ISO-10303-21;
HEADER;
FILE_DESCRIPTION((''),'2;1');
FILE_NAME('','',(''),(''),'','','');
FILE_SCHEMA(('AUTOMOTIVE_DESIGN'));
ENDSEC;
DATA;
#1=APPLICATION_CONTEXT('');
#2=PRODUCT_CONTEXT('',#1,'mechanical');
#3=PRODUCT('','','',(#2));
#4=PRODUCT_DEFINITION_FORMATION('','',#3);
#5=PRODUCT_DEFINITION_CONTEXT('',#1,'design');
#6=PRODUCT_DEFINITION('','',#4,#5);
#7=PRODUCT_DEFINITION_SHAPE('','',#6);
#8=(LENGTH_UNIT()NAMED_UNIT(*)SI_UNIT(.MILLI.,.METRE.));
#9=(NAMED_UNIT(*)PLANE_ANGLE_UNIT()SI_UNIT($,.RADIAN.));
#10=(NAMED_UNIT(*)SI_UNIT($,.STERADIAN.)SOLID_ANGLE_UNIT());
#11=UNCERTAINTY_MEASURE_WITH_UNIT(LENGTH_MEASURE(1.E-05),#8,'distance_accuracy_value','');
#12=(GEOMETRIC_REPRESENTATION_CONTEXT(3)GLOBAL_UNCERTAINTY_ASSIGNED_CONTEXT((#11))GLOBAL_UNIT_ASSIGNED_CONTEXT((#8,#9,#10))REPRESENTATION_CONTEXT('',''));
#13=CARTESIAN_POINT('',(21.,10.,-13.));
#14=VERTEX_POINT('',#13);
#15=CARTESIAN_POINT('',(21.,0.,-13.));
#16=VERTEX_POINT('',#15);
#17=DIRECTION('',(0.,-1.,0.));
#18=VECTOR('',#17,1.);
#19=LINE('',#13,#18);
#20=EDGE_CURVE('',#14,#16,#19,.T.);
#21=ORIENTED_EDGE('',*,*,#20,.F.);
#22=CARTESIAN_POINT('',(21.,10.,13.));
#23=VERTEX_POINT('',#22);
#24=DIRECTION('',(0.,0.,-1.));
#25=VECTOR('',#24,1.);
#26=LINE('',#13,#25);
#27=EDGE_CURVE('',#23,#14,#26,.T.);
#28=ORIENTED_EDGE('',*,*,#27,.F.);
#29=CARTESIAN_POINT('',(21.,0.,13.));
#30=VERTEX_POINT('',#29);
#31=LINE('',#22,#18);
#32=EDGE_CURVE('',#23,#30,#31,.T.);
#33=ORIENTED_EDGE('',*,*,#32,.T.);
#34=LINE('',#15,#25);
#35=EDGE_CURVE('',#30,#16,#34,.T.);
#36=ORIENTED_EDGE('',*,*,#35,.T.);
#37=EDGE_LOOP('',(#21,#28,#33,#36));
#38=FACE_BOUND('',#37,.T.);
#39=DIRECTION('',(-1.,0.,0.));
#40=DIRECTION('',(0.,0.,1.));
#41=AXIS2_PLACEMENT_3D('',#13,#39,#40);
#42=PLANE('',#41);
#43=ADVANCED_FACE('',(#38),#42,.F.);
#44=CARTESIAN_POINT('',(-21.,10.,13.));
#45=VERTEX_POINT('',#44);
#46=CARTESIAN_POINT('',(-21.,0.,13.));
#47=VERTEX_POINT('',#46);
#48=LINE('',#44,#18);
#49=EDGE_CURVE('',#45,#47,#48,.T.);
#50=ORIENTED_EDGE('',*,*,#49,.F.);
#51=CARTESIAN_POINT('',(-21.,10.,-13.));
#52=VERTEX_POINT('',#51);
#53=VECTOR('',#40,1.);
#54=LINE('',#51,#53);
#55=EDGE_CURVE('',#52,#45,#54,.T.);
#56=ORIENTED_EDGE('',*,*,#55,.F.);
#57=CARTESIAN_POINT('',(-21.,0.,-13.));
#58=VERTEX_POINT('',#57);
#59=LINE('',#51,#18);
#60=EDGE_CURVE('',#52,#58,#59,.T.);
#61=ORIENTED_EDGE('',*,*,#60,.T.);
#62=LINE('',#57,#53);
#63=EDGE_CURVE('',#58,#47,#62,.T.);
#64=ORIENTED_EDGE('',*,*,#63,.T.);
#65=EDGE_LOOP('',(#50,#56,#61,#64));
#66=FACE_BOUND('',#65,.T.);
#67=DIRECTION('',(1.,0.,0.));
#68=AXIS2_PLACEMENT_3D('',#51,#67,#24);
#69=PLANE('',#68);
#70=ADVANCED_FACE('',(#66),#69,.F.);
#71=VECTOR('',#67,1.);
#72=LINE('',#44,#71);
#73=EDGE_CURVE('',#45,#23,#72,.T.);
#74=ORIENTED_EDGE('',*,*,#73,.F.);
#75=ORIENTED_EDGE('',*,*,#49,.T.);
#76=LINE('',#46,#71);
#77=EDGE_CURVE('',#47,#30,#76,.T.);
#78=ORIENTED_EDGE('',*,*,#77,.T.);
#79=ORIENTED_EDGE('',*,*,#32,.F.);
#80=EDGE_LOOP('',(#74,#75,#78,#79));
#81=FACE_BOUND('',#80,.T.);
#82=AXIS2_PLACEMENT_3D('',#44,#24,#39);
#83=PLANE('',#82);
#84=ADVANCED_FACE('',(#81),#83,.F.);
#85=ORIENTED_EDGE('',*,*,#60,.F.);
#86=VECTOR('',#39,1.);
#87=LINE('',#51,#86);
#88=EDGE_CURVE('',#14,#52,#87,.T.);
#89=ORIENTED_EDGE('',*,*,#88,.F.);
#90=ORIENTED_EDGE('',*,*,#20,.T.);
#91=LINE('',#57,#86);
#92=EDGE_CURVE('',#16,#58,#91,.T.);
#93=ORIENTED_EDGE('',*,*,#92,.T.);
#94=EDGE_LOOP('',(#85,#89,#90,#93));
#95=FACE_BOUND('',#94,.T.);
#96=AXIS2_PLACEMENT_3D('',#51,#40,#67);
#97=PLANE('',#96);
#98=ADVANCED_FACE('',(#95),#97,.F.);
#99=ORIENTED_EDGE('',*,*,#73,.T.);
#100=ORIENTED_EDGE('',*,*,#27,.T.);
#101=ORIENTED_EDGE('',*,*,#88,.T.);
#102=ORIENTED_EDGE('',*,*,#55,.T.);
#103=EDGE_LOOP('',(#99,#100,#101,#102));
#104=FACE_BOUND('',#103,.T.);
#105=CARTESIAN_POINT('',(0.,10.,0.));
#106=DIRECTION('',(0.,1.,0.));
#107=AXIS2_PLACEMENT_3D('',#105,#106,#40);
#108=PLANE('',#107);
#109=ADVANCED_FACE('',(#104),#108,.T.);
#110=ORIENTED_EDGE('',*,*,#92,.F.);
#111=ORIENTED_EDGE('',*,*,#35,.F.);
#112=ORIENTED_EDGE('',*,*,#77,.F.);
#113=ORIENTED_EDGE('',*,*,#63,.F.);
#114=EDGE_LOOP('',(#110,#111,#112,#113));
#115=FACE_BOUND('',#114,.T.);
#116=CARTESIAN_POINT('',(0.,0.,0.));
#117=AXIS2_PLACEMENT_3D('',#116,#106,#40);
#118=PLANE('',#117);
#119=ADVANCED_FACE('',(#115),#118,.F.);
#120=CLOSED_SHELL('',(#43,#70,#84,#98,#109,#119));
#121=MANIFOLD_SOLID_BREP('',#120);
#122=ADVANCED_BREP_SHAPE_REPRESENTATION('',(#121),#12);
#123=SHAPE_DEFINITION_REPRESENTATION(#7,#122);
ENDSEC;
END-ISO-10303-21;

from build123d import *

# Parameters (mm, degrees)
SKETCH_1_W      = 42
SKETCH_1_H      = 26
EXTRUDE_1_DEPTH = 10


with BuildPart() as part:
    # 草图1 → 凸台-拉伸1 (new body)
    with BuildSketch(Plane(origin=(0, 0, 0), x_dir=(1, 0, 0), z_dir=(0, 1, 0))):
        Rectangle(SKETCH_1_W, SKETCH_1_H)
    extrude(amount=EXTRUDE_1_DEPTH)


solid = part.part
